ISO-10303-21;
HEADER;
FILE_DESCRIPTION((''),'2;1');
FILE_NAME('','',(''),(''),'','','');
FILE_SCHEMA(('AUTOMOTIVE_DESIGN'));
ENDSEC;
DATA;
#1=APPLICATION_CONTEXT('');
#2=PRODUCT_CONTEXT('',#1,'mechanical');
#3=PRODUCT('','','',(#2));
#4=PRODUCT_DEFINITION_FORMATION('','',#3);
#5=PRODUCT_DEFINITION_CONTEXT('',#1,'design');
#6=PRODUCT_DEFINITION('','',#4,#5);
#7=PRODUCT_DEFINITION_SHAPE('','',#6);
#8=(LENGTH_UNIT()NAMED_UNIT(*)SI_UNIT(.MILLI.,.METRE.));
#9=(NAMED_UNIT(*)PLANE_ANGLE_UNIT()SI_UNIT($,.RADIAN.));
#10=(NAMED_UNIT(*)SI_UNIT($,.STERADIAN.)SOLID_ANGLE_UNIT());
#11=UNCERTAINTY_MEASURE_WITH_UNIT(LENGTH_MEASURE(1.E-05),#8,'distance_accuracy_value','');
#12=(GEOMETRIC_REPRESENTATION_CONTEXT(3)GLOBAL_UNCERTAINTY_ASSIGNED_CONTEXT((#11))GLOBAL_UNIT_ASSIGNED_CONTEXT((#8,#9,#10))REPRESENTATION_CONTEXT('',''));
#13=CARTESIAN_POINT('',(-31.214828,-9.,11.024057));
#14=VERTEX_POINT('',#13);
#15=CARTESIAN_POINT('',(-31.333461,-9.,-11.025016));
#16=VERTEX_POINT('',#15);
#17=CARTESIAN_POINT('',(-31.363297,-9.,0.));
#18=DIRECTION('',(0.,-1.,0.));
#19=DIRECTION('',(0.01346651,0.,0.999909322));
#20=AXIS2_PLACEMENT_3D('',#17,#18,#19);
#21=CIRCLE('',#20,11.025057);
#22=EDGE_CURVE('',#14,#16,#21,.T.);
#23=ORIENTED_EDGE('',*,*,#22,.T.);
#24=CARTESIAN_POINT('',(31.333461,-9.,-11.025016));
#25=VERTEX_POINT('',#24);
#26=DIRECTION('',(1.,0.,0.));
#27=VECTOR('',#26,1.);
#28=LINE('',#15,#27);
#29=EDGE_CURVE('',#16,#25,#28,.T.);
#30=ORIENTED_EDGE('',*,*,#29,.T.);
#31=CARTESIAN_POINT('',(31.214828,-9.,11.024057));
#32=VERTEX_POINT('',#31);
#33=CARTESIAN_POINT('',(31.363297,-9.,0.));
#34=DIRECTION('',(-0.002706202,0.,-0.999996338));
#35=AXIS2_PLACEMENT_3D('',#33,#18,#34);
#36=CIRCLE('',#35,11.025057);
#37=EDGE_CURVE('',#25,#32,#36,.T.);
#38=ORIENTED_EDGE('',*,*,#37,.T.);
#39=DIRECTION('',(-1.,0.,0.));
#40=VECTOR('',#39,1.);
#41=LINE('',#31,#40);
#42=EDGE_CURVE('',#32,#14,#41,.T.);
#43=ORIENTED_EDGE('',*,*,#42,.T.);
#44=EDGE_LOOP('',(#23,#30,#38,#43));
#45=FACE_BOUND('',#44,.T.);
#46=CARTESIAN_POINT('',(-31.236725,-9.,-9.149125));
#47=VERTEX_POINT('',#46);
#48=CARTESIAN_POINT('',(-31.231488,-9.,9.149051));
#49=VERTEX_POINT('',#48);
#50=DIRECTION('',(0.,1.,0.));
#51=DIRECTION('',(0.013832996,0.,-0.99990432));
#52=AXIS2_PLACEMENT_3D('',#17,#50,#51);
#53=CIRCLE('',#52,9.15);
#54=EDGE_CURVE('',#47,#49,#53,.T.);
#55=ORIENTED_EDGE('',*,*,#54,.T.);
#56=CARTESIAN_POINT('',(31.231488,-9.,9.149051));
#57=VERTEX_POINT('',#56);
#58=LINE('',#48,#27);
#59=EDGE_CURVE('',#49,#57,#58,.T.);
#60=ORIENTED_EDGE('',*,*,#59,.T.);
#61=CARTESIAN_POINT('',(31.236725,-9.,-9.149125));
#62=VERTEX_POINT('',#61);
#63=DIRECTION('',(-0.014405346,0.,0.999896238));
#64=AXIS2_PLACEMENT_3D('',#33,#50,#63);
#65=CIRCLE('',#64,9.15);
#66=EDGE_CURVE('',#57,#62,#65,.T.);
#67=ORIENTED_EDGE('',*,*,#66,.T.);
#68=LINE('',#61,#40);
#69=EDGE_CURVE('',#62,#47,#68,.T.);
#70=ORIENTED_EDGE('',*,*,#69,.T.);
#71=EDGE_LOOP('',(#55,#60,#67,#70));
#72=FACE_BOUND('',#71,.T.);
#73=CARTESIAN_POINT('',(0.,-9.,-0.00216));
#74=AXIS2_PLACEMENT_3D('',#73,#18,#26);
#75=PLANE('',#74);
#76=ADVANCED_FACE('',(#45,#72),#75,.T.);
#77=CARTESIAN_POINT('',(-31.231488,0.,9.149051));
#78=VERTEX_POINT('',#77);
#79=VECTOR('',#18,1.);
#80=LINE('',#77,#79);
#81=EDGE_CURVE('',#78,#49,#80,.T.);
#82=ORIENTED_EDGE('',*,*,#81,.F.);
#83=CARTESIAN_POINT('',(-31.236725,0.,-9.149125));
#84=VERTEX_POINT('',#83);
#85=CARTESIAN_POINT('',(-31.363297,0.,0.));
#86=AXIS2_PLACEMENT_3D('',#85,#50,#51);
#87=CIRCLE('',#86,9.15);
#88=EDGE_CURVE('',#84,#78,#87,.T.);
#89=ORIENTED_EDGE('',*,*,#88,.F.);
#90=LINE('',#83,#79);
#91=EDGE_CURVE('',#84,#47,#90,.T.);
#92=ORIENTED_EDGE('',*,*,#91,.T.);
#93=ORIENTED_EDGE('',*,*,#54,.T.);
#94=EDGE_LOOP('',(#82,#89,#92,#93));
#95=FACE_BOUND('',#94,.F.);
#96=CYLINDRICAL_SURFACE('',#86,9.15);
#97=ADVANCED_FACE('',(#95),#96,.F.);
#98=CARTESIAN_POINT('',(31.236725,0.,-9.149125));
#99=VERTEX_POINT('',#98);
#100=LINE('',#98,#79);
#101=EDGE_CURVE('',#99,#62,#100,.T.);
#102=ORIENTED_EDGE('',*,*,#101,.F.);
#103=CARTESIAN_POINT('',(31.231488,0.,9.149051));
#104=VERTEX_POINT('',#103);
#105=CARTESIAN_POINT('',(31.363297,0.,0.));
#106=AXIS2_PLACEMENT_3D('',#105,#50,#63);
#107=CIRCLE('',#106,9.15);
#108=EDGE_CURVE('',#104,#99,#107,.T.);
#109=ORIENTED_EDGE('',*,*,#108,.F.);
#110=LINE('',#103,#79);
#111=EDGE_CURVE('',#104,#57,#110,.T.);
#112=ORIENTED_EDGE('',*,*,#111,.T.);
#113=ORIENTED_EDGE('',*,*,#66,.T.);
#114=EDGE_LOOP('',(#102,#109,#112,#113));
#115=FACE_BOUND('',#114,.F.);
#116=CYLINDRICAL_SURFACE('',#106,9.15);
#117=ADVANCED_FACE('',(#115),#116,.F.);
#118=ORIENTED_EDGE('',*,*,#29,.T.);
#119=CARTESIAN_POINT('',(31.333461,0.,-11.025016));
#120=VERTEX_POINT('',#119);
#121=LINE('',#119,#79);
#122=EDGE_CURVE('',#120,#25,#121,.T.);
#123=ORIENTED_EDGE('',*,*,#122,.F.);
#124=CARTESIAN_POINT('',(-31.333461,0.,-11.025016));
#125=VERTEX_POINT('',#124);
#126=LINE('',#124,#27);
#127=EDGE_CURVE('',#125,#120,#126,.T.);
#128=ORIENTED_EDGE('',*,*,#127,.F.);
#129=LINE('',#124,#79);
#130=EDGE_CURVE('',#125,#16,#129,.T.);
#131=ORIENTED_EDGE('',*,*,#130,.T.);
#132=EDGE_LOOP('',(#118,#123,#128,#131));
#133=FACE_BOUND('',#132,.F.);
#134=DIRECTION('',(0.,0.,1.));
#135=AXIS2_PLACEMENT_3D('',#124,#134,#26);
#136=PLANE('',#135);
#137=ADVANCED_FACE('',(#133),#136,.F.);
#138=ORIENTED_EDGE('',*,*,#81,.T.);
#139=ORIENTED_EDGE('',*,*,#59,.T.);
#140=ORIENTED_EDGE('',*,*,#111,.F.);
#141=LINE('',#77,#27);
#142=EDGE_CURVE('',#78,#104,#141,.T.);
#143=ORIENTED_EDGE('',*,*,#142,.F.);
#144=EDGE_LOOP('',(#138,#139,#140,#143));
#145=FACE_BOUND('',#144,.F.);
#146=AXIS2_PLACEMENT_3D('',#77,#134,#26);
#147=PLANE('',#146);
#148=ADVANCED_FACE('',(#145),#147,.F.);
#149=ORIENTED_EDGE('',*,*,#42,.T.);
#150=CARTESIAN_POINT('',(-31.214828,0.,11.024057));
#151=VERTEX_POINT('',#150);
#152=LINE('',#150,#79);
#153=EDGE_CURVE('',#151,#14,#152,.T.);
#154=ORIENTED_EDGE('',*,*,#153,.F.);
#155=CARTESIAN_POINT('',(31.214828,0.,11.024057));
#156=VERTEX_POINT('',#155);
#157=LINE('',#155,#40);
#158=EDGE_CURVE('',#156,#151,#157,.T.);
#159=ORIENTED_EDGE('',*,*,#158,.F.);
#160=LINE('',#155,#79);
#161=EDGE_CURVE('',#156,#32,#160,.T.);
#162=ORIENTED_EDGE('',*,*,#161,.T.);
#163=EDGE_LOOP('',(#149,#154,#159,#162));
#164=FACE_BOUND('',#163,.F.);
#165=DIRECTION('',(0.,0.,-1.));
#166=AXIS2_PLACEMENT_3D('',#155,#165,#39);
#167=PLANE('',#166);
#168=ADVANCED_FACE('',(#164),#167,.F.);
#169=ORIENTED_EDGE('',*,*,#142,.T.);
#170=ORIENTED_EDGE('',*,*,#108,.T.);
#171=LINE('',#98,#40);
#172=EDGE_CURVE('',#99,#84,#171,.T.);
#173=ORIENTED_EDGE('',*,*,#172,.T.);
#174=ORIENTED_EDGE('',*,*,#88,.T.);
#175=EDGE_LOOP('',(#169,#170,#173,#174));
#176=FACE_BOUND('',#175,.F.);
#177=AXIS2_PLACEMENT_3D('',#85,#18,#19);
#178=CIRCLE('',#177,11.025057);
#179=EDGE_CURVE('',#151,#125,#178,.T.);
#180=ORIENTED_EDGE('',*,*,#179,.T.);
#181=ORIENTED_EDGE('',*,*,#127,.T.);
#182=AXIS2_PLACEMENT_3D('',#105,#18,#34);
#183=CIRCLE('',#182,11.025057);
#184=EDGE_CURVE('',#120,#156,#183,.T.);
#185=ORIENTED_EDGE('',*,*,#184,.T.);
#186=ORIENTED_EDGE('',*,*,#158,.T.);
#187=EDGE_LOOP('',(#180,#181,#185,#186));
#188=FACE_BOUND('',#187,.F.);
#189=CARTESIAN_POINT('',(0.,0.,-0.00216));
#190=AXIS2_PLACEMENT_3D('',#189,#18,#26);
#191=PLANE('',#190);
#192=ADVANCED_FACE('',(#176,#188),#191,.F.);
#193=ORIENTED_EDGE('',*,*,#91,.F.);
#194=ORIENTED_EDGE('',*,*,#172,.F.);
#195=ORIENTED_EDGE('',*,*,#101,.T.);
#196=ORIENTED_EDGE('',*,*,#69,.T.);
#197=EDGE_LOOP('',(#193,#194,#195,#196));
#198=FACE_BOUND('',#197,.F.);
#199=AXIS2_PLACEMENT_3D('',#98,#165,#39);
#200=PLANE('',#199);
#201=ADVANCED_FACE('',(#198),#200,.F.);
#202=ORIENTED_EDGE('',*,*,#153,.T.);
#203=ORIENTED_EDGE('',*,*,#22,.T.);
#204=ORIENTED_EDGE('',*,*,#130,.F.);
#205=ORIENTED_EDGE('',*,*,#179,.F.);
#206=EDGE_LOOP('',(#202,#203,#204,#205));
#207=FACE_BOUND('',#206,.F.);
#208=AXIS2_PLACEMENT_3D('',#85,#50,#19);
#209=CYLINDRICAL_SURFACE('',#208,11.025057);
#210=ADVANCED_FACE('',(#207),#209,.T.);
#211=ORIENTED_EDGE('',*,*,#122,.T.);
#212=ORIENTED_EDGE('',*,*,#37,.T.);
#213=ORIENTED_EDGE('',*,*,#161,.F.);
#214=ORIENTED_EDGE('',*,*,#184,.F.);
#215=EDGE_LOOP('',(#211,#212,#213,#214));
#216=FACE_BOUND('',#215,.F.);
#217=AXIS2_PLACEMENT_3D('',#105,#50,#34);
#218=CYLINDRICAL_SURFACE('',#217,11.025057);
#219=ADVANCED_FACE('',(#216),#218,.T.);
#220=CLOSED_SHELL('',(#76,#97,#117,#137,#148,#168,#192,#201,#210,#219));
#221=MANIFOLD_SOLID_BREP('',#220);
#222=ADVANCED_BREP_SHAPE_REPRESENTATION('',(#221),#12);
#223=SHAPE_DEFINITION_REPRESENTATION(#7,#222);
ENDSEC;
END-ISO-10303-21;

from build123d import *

# Parameters (mm, degrees)
F1_DEPTH = 9


with BuildPart() as f1:
    # F0 (on Front) → F1 (new body)
    with BuildSketch(Plane.XZ):
        with BuildLine():
            ThreePointArc((31.333461, -11.025016), (42.388194, 0.059319), (31.214828, 11.024057))
            Line((31.214828, 11.024057), (0, 11.024057))
            Line((0, 11.024057), (-31.214828, 11.024057))
            ThreePointArc((-31.214828, 11.024057), (-42.388194, 0.059319), (-31.333461, -11.025016))
            Line((-31.333461, -11.025016), (0, -11.025016))
            Line((0, -11.025016), (31.333461, -11.025016))
        make_face()
        with BuildLine():
            ThreePointArc((31.231488, 9.149051), (40.513297, 0.002619), (31.236725, -9.149125))
            Line((31.236725, -9.149125), (0, -9.149125))
            Line((0, -9.149125), (-31.236725, -9.149125))
            ThreePointArc((-31.236725, -9.149125), (-40.513297, 0.002619), (-31.231488, 9.149051))
            Line((-31.231488, 9.149051), (0, 9.149051))
            Line((0, 9.149051), (31.231488, 9.149051))
        make_face(mode=Mode.SUBTRACT)
    extrude(amount=F1_DEPTH)


solid = f1.part
